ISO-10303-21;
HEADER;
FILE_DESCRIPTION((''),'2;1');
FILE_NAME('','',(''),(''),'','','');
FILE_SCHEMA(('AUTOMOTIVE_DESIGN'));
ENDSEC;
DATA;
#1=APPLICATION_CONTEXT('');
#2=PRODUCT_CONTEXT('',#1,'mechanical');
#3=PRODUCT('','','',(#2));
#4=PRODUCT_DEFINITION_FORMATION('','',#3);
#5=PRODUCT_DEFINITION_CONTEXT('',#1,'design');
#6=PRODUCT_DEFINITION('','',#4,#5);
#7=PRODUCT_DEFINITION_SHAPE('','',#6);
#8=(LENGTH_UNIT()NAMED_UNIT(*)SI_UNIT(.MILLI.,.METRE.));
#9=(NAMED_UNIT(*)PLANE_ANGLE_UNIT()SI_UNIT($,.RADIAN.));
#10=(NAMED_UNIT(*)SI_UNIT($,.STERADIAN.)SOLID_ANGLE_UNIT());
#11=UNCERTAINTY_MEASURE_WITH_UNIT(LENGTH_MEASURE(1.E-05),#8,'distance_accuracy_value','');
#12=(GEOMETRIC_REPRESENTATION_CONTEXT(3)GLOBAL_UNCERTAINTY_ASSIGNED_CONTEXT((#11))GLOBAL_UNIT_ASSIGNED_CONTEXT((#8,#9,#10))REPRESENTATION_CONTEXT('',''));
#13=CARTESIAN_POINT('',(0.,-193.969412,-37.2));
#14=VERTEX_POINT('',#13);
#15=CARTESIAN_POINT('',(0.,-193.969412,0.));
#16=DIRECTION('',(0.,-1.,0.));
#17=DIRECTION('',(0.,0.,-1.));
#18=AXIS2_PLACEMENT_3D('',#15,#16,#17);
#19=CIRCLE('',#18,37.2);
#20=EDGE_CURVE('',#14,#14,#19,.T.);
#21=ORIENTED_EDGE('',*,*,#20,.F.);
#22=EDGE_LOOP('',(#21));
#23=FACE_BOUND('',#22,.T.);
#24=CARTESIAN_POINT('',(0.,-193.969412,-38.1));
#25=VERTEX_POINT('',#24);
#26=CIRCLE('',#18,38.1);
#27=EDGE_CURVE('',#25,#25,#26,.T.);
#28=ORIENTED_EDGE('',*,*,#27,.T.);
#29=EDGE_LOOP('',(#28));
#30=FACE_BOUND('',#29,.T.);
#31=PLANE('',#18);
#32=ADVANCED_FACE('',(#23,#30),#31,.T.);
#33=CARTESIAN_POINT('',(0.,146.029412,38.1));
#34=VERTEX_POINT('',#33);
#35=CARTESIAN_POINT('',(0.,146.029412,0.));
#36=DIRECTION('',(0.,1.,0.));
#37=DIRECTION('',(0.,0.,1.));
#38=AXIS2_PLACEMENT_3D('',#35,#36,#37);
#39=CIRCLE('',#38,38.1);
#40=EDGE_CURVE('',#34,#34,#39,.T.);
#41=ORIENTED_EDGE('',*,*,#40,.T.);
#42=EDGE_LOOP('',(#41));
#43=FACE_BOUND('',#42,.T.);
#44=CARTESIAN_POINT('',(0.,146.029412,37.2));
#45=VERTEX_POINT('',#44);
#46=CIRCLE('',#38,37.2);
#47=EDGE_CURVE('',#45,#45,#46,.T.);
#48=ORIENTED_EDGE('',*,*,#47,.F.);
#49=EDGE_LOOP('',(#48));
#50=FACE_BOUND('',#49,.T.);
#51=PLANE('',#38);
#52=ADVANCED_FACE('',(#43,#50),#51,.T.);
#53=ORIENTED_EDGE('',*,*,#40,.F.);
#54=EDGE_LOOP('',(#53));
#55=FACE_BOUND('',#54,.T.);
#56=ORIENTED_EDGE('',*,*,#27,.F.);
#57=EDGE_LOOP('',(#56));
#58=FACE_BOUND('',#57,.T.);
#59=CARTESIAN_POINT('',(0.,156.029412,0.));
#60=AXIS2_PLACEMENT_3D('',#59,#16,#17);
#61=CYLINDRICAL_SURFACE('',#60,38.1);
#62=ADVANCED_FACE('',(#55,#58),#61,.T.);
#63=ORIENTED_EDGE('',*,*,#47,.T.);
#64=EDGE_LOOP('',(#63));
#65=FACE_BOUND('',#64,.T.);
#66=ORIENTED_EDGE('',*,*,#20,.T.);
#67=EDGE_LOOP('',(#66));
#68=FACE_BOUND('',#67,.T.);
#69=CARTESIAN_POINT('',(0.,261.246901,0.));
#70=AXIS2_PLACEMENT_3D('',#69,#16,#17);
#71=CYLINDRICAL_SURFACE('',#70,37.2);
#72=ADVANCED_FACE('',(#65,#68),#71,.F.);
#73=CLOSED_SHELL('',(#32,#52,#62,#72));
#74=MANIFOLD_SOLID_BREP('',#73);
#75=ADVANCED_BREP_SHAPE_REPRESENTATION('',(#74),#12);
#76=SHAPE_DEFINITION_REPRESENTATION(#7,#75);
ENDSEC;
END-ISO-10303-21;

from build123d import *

# Parameters (mm, degrees)
SKETCH1_R           = 68
SKETCH1_R_2         = 63
BOSS_EXTRUDE1_DEPTH = 200
SCALE1_SCALE        = 0.560294118
CUT_EXTRUDE1_START  = -10
SKETCH2_R           = 38.1
SKETCH2_R_2         = 36.048529411
CUT_EXTRUDE1_DEPTH  = 10
BOSS_EXTRUDE2_START = 237.94
SKETCH3_R           = 38.1
SKETCH3_R_2         = 35.298529411
BOSS_EXTRUDE2_DEPTH = 237.94
SKETCH4_R           = 37.2
CUT_EXTRUDE2_DEPTH  = 349.998823528


with BuildPart() as part:
    # Sketch1 → Boss-Extrude1 (new body)
    with BuildSketch(Plane(origin=(0, 0, 0), x_dir=(1, 0, 0), z_dir=(0, 1, 0))):
        with Locations(Location((0, 0, 0), (0, 0, 270))):
            Circle(SKETCH1_R)
        with Locations(Location((0, 0, 0), (0, 0, 270))):
            Circle(SKETCH1_R_2, mode=Mode.SUBTRACT)
    extrude(amount=BOSS_EXTRUDE1_DEPTH)


with BuildPart() as part_1:
    # Scale1: scaled about (0, 100, 0)
    add(part.part.scale(SCALE1_SCALE).moved(Location((0, 43.970588236, 0))))

    # Sketch2 → Cut-Extrude1 (cut)
    with BuildSketch(Plane(origin=(0, 156.029411764, 0), x_dir=(1, 0, 0), z_dir=(0, 1, 0)).offset(CUT_EXTRUDE1_START)):
        with Locations(Location((0, 0, 0), (0, 0, 270))):
            Circle(SKETCH2_R)
        with Locations(Location((0, 0, 0), (0, 0, 270))):
            Circle(SKETCH2_R_2, mode=Mode.SUBTRACT)
    extrude(amount=CUT_EXTRUDE1_DEPTH, mode=Mode.SUBTRACT)

    # Sketch3 → Boss-Extrude2 (add)
    with BuildSketch(Plane.XZ.offset(-43.970588236).offset(BOSS_EXTRUDE2_START)):
        with Locations(Location((0, 0, 0), (0, 0, 270))):
            Circle(SKETCH3_R)
        with Locations(Location((0, 0, 0), (0, 0, 270))):
            Circle(SKETCH3_R_2, mode=Mode.SUBTRACT)
    extrude(amount=-BOSS_EXTRUDE2_DEPTH)

    # Sketch4 → Cut-Extrude2 (cut)
    with BuildSketch(Plane.XZ.offset(193.969411764)):
        with Locations(Location((0, 0, 0), (0, 0, 270))):
            Circle(SKETCH4_R)
    extrude(amount=-CUT_EXTRUDE2_DEPTH, mode=Mode.SUBTRACT)


solid = part_1.part
